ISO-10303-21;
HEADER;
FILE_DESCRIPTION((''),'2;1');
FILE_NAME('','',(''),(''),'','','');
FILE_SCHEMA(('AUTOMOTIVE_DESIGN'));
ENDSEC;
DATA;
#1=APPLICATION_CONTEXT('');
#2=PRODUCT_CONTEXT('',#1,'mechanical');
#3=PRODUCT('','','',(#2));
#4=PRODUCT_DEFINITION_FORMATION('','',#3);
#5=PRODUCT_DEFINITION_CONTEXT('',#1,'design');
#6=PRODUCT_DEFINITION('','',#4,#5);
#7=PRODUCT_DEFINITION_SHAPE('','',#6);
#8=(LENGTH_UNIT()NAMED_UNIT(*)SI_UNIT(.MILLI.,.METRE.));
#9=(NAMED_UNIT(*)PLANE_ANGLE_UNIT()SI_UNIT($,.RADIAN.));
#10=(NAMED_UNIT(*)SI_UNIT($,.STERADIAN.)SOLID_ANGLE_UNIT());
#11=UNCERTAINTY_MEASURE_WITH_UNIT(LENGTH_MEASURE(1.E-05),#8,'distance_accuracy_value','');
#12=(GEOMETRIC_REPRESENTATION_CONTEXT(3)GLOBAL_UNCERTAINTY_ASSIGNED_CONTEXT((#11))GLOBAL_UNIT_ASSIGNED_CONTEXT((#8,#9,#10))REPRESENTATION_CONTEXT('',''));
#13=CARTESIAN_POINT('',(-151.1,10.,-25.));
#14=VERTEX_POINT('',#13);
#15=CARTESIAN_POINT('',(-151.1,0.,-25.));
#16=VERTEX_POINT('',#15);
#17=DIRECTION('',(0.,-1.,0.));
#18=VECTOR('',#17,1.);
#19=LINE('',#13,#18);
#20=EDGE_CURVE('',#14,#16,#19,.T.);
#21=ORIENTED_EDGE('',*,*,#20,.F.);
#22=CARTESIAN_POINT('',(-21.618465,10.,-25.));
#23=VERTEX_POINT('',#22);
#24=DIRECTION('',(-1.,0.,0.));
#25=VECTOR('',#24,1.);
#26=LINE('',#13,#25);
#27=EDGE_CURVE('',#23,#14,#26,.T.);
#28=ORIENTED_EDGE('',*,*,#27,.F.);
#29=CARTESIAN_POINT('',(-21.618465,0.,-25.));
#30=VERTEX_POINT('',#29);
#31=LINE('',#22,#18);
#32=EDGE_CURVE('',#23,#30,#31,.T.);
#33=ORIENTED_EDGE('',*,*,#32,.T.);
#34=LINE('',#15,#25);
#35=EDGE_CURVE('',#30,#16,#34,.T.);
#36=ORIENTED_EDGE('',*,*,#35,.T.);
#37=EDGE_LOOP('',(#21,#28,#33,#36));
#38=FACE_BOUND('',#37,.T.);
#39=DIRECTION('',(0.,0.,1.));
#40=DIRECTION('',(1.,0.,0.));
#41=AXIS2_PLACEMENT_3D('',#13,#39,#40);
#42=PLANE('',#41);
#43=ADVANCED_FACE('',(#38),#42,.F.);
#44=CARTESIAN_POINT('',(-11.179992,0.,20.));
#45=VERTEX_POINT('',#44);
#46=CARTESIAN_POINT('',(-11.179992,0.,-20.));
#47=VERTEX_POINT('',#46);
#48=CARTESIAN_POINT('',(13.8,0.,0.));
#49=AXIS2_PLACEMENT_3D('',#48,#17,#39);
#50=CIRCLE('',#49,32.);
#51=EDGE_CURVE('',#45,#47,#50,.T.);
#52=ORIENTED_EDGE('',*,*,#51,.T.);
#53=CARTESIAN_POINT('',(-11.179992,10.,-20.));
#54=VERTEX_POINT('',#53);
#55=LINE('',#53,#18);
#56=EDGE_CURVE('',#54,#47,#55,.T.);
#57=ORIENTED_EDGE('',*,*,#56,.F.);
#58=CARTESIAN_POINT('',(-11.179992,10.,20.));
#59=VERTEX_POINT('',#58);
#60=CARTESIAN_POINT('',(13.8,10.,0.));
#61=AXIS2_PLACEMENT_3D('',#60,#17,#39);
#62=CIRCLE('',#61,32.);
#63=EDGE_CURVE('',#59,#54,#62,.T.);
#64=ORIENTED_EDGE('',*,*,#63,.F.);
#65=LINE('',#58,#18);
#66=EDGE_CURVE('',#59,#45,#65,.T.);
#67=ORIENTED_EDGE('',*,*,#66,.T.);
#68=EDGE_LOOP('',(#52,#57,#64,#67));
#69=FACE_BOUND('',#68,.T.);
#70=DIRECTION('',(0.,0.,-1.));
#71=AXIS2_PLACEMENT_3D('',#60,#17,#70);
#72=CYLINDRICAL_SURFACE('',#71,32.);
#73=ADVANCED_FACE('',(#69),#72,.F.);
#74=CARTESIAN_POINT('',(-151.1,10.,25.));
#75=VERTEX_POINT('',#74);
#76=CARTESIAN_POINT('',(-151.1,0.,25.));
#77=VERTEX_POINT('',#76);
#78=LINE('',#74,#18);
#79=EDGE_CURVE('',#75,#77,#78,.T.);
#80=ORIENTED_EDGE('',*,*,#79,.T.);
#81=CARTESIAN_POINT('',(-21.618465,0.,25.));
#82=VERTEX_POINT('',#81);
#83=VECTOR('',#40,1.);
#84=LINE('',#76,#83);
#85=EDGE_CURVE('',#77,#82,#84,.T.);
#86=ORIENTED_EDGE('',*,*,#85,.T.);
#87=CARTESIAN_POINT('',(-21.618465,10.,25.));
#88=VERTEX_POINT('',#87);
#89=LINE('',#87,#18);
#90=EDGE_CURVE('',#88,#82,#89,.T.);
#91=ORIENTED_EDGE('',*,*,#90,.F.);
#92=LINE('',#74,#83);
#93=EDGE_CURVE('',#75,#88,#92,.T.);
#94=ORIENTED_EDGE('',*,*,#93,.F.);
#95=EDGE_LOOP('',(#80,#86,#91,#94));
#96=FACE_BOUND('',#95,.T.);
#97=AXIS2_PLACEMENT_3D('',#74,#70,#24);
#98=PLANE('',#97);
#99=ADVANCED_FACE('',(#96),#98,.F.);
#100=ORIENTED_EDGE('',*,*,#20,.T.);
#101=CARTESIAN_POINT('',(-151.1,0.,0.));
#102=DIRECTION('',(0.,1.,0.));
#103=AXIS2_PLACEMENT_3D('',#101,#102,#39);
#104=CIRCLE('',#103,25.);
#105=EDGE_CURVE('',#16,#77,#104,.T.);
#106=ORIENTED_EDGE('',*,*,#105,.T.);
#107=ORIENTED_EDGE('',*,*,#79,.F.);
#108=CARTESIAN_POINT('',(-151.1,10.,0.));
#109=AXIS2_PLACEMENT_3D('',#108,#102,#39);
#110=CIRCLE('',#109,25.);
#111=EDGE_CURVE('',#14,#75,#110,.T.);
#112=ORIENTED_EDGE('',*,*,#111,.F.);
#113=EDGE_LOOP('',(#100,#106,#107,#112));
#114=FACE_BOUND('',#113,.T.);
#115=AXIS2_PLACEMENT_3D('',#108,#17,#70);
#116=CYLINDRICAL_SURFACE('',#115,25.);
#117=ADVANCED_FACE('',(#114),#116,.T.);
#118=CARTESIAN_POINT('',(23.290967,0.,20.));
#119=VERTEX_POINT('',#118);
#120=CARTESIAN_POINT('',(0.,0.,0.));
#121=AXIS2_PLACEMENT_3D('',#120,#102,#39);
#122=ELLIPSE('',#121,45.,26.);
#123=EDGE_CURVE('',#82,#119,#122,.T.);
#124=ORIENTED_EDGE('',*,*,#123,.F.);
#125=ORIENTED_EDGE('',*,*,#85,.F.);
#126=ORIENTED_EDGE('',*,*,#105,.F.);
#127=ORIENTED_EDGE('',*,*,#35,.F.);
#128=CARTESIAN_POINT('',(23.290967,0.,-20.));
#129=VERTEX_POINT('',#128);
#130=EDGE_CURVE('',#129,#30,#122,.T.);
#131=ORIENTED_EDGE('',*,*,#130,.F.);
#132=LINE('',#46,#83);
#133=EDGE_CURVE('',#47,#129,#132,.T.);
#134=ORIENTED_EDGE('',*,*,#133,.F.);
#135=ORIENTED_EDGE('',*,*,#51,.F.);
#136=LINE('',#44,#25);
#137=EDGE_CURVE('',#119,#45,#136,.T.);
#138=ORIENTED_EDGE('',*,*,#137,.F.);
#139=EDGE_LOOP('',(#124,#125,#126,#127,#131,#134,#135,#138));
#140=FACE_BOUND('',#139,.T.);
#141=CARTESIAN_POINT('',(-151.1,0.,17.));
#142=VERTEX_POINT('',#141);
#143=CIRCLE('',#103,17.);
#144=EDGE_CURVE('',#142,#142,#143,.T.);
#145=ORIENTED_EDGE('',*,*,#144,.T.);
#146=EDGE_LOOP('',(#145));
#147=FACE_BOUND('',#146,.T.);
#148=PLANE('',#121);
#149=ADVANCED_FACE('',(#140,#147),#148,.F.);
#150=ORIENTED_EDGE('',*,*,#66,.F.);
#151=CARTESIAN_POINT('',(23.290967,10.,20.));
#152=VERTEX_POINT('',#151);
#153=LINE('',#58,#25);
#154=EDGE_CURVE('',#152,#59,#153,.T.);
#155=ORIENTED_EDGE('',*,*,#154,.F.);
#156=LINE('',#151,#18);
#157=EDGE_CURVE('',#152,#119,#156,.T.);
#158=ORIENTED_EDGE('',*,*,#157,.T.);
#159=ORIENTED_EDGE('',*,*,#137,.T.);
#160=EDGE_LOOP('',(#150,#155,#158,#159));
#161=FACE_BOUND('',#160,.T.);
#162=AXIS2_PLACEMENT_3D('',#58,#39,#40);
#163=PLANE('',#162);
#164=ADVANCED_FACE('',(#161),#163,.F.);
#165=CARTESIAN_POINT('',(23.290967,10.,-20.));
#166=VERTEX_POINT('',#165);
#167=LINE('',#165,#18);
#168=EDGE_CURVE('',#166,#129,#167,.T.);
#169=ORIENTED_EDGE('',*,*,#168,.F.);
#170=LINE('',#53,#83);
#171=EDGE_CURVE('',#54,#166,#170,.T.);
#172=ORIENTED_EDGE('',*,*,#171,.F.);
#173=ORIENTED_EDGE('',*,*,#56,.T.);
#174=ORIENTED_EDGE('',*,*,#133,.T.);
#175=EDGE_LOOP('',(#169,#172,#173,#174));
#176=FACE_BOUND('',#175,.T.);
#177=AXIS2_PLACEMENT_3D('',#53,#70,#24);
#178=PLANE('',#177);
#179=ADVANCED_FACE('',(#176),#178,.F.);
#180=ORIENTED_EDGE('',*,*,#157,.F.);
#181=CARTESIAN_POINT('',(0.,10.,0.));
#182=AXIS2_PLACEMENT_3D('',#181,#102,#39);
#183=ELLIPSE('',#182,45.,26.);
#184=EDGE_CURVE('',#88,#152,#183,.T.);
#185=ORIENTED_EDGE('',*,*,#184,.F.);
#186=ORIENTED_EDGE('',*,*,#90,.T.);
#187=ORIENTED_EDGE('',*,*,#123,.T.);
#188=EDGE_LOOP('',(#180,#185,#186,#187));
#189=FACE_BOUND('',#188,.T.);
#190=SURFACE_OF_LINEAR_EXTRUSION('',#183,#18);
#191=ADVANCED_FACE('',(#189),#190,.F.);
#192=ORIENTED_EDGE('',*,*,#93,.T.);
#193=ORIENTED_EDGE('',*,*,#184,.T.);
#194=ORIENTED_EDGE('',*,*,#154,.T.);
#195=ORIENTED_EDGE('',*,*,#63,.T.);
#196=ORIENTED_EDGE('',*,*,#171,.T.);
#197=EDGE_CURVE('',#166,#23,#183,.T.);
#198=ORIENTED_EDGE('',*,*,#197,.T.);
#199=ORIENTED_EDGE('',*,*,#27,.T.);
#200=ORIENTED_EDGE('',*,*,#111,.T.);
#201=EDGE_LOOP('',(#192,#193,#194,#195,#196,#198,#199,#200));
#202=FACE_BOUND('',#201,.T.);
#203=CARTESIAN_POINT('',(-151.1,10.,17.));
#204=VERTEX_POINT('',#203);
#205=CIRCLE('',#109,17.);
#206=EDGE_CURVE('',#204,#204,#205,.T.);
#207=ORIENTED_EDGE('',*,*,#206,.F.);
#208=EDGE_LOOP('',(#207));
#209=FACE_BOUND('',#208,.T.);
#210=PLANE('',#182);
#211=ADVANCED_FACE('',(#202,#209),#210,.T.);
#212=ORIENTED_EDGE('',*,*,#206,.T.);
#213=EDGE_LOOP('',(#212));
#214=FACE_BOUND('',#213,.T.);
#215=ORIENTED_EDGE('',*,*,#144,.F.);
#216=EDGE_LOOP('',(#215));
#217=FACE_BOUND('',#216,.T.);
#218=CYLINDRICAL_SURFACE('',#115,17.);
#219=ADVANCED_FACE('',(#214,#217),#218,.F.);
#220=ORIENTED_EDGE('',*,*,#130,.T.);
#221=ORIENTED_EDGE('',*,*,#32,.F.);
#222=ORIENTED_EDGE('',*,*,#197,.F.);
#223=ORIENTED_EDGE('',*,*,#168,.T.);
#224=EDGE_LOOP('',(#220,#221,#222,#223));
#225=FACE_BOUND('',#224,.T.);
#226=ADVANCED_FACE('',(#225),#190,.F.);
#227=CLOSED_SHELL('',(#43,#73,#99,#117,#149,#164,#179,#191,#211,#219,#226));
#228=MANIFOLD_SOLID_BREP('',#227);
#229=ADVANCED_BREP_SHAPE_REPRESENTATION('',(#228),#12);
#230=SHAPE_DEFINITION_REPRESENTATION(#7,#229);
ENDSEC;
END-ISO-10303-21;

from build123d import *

# Parameters (mm, degrees)
SKETCH3_R           = 17
BOSS_EXTRUDE1_DEPTH = 10


with BuildPart() as part:
    # Sketch3 → Boss-Extrude1 (new body)
    with BuildSketch(Plane(origin=(0, 0, 0), x_dir=(1, 0, 0), z_dir=(0, 1, 0))):
        with BuildLine():
            Line((-151.1, 25), (-21.618464901, 25))
            add(Edge.make_bspline(
                [(23.290966828, 20), (3.331219393, 89.629118064), (-21.618464901, 25)],
                knots=[2.031350318, 2.031350318, 2.031350318, 4.12335801, 4.12335801, 4.12335801], degree=2, weights=[1, 0.501033423, 1]))
            Line((23.290966828, 20), (-11.179991994, 20))
            ThreePointArc((-11.179991994, 20), (-18.2, 0), (-11.179991994, -20))
            Line((-11.179991994, -20), (23.290966828, -20))
            add(Edge.make_bspline(
                [(-21.618464901, -25), (3.331219393, -89.629118064), (23.290966828, -20)],
                knots=[5.301419951, 5.301419951, 5.301419951, 7.393427642, 7.393427642, 7.393427642], degree=2, weights=[1, 0.501033423, 1]))
            Line((-21.618464901, -25), (-151.1, -25))
            ThreePointArc((-151.1, -25), (-176.1, 0), (-151.1, 25))
        make_face()
        with Locations(Location((-151.1, 0, 0), (0, 0, 270))):
            Circle(SKETCH3_R, mode=Mode.SUBTRACT)
    extrude(amount=BOSS_EXTRUDE1_DEPTH)


solid = part.part
